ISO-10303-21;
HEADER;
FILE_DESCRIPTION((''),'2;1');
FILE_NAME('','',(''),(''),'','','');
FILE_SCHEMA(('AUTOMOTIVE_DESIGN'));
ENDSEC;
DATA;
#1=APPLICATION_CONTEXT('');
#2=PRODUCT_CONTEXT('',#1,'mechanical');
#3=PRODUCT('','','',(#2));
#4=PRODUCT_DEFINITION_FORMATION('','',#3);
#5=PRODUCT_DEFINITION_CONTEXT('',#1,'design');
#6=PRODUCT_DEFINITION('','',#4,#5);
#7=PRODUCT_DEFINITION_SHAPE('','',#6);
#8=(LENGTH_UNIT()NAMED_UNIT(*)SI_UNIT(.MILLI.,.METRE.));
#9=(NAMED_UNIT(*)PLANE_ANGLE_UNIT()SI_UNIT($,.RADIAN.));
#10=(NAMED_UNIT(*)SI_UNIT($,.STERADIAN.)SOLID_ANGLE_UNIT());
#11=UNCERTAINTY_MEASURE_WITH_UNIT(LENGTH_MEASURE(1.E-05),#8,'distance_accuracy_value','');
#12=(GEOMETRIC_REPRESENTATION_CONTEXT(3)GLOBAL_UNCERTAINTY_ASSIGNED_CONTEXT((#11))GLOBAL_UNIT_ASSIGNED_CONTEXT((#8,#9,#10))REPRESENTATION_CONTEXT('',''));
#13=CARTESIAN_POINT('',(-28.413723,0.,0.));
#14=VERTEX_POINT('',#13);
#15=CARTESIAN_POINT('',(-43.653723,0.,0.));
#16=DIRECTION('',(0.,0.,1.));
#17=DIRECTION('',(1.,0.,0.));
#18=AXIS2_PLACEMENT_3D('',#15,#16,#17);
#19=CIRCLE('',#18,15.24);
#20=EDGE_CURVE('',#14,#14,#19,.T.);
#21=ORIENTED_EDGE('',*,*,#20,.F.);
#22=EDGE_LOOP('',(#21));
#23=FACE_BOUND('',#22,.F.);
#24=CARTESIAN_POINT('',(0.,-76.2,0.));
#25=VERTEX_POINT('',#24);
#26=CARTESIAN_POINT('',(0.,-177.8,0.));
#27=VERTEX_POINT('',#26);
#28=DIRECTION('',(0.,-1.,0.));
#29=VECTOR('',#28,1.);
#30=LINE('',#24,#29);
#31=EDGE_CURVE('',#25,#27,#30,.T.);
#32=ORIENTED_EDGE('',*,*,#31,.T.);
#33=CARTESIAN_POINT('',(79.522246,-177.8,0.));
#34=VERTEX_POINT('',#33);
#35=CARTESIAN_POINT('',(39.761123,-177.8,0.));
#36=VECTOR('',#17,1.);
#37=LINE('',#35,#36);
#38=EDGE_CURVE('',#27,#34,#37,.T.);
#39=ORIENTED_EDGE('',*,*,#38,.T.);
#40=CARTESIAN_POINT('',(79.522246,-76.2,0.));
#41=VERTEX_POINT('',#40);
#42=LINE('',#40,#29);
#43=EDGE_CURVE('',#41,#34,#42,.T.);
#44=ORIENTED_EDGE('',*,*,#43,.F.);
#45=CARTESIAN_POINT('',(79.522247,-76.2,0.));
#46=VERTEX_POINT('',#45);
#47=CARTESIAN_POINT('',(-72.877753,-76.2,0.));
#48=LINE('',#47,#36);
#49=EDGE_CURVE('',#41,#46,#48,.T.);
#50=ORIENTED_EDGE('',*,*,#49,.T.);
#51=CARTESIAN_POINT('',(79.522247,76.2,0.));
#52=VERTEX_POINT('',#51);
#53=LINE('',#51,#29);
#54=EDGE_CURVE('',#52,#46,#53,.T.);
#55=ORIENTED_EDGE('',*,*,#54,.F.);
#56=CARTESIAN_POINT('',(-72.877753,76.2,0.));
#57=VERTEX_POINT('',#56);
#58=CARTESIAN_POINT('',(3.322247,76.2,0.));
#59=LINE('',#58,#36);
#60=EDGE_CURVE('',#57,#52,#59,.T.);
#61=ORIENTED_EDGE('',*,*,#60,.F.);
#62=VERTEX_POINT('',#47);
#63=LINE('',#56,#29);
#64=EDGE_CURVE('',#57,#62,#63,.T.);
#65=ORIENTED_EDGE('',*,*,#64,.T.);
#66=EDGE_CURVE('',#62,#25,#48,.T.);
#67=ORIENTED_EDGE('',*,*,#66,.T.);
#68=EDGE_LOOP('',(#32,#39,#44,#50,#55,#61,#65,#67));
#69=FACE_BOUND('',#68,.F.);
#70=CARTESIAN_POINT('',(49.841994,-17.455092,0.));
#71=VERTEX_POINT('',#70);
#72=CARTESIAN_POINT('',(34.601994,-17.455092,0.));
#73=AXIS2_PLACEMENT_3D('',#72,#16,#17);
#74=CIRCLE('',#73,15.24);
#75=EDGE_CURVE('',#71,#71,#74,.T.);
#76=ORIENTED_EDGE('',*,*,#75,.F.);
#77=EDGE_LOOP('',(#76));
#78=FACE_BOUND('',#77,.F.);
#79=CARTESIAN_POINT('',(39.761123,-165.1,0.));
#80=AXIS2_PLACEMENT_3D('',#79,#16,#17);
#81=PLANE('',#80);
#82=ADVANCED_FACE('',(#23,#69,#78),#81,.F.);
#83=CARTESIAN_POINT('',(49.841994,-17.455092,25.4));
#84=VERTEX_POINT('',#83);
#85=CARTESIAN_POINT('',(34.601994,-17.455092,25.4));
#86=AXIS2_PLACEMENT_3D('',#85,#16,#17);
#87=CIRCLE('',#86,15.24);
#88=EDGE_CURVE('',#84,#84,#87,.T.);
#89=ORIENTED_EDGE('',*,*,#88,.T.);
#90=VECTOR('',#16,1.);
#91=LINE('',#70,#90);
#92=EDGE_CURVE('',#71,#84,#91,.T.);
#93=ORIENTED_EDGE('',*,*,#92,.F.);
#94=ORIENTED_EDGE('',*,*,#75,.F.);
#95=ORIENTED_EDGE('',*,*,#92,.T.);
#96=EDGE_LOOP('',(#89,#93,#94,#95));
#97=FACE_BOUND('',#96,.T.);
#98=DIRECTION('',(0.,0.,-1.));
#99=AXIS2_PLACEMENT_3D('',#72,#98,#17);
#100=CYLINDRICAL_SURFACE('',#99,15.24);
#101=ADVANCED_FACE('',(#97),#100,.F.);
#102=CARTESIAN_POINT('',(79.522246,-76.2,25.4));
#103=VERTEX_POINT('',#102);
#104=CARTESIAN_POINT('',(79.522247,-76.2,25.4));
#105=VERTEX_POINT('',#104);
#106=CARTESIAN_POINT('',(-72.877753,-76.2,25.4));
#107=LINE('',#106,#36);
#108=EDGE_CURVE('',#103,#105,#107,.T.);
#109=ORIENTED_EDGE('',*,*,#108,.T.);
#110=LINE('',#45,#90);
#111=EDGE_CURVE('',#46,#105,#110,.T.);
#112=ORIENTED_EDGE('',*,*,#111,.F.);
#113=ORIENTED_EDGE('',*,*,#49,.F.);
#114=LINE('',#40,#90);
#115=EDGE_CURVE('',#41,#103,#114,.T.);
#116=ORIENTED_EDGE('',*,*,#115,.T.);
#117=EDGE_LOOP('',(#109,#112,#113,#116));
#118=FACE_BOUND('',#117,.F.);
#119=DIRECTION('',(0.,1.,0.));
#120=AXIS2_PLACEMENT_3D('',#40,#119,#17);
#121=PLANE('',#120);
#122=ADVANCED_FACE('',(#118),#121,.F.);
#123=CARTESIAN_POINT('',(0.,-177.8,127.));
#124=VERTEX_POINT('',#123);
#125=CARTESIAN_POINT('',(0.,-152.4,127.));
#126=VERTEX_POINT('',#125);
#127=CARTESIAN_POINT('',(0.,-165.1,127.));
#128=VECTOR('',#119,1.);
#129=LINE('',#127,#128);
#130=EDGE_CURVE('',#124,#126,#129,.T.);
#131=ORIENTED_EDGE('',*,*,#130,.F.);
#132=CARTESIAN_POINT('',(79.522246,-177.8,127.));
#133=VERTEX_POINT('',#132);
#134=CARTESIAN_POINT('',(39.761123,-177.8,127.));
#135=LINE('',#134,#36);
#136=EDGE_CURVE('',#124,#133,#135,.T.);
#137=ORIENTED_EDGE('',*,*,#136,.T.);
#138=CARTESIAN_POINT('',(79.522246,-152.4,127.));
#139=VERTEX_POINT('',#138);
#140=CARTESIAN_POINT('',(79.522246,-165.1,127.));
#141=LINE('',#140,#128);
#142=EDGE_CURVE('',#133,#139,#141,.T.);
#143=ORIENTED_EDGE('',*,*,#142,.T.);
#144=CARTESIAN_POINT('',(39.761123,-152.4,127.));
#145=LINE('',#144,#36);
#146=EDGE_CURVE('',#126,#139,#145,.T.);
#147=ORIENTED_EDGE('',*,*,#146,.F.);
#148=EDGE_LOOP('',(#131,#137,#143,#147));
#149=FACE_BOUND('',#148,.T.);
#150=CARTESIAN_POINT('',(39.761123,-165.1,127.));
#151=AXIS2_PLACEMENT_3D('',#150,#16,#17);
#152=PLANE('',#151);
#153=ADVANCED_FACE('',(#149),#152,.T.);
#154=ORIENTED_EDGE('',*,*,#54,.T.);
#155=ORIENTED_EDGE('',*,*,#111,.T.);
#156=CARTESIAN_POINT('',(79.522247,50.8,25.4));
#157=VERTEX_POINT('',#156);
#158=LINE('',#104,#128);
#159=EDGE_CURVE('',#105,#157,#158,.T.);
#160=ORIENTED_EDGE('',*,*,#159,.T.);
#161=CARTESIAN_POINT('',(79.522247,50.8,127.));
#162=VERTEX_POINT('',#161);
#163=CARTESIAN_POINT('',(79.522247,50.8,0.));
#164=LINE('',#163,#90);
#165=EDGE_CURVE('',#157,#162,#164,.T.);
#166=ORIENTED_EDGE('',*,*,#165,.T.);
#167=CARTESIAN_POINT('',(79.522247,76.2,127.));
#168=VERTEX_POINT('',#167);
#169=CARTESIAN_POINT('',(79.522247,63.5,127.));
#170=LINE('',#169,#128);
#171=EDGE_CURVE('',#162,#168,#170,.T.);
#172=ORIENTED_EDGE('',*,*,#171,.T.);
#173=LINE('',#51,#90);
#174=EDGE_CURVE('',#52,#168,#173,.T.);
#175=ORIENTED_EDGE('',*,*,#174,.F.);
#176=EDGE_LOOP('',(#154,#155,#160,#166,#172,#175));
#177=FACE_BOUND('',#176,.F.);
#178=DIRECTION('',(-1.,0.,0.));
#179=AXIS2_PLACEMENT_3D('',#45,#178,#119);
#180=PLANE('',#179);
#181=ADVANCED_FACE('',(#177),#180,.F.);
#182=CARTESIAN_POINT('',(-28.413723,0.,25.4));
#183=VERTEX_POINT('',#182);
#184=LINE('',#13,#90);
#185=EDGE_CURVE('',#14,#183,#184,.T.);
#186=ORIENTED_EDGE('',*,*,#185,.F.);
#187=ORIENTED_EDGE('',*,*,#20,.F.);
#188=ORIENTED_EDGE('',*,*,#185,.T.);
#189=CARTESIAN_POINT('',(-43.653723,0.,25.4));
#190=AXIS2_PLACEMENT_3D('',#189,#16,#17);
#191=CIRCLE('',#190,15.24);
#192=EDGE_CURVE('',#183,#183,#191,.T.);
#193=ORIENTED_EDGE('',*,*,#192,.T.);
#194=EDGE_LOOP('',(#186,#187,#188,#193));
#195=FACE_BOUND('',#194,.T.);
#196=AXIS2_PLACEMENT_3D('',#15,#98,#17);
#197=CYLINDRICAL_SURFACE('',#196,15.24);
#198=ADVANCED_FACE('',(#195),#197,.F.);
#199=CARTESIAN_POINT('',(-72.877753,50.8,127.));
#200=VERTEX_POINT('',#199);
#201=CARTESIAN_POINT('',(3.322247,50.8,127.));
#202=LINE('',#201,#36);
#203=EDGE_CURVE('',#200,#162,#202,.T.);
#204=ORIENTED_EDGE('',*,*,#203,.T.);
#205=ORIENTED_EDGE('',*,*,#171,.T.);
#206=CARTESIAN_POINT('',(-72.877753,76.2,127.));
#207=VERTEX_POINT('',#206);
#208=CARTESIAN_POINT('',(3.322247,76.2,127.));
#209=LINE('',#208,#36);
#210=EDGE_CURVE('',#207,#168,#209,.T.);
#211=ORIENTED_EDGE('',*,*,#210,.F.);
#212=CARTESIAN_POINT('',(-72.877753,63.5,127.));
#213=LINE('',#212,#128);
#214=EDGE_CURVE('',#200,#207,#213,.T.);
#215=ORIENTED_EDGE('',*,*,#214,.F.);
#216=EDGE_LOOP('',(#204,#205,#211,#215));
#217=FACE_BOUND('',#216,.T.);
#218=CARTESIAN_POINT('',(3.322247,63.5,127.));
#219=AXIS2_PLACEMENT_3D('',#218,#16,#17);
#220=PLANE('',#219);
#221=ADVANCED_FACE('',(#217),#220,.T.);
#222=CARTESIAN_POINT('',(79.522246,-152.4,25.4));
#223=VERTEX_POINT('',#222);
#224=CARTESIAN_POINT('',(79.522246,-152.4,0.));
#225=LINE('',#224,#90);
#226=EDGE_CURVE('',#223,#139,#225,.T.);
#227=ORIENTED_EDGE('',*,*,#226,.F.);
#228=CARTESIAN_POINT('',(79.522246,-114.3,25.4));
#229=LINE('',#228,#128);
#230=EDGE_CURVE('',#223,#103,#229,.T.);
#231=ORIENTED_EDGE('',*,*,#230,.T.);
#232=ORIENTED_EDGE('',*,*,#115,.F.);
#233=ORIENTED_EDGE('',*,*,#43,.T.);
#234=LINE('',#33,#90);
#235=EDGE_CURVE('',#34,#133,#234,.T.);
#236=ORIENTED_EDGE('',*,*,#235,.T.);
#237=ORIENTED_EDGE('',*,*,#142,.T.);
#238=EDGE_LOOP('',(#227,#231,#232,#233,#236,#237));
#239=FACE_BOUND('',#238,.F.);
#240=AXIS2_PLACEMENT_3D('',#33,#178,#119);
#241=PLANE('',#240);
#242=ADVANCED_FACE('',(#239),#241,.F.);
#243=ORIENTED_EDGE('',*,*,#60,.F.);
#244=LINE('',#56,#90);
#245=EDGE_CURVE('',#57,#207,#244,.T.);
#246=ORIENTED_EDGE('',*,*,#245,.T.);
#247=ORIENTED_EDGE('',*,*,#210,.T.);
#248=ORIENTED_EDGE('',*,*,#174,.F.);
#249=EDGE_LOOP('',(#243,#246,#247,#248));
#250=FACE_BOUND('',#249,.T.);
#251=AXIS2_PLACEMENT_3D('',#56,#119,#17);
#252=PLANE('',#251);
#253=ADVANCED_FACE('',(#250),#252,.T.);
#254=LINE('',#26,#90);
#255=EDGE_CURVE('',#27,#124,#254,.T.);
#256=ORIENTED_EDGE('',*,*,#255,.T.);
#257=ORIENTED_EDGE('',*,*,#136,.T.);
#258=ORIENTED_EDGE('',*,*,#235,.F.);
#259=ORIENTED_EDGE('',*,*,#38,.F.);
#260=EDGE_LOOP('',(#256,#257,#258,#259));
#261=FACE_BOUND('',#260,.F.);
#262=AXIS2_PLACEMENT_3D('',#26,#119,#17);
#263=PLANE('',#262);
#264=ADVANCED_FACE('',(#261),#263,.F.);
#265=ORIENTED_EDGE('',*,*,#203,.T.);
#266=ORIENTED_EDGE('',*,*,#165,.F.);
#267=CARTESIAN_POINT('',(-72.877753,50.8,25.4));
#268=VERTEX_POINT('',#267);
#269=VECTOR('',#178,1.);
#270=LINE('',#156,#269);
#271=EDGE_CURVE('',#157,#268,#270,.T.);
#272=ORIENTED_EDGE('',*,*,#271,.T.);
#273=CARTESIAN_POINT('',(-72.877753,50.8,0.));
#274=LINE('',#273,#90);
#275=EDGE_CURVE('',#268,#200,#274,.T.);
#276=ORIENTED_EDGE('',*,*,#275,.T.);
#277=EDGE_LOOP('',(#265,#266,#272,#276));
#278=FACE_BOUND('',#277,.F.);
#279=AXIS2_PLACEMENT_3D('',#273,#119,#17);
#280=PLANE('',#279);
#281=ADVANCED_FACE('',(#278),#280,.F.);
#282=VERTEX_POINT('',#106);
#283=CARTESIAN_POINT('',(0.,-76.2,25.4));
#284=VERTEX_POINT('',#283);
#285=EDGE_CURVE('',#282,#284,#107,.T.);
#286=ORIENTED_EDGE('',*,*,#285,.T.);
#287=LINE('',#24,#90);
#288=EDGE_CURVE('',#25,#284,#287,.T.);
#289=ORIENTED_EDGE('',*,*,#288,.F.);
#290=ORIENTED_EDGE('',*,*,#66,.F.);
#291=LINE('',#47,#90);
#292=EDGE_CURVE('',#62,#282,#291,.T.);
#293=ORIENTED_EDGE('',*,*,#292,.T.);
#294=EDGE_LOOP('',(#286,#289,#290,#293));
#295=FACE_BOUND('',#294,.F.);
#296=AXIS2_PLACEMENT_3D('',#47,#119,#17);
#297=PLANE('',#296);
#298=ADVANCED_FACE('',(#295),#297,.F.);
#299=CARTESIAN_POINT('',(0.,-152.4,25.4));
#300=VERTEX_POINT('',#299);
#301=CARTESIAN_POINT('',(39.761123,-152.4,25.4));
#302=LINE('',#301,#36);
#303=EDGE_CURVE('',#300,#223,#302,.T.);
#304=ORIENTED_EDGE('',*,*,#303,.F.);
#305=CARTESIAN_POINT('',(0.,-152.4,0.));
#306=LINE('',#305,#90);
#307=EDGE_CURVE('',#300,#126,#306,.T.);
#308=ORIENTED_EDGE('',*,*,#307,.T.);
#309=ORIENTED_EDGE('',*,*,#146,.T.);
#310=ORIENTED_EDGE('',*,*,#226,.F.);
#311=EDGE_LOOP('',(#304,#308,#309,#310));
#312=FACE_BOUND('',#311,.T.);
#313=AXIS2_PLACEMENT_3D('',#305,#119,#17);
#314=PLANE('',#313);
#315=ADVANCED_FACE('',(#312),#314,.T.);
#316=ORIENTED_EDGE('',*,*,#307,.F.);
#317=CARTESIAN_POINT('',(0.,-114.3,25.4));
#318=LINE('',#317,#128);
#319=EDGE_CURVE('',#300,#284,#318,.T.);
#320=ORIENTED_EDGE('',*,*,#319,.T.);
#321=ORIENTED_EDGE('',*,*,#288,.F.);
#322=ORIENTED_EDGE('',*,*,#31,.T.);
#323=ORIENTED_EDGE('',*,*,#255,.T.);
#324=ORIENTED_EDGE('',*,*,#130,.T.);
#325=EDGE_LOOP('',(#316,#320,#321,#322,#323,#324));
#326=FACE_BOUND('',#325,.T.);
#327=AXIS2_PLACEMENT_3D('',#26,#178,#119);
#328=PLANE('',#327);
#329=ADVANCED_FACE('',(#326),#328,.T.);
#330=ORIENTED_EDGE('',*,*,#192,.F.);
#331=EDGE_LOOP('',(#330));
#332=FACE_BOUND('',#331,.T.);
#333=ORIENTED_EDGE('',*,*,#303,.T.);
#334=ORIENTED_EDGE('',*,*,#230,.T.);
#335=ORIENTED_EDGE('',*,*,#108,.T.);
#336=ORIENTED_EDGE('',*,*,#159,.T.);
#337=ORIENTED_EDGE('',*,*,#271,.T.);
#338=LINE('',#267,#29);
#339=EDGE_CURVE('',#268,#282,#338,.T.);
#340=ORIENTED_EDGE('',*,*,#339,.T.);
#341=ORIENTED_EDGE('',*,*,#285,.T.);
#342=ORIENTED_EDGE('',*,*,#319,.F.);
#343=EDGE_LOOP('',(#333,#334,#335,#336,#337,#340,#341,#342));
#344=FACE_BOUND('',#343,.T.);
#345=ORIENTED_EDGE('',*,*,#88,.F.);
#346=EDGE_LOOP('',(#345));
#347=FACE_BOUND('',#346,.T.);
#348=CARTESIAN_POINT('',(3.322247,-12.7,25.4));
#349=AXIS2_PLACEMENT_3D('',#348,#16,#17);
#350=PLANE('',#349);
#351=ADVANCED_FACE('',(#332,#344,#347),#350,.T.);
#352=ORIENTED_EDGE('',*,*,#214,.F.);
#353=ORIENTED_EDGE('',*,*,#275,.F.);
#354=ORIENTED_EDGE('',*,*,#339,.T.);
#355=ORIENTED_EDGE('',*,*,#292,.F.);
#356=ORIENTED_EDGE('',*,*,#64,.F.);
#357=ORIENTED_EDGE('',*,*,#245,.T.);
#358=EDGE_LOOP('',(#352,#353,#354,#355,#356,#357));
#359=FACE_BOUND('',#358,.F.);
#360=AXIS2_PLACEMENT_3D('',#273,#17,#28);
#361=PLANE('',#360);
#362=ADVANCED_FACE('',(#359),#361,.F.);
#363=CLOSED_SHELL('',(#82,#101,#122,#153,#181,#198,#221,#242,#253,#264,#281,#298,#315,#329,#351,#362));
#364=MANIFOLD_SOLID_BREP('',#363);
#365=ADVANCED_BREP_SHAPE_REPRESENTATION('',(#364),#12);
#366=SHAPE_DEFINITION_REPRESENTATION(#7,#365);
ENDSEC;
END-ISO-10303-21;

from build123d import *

# Parameters (mm, degrees)
F0_W     = 152.4
F0_H     = 25.4
F1_DEPTH = 127
F0_R     = 15.24
F0_W_2   = 79.522247
F0_H_2   = 76.2
F2_DEPTH = 25.4
F3_DEPTH = 127


with BuildPart() as f1:
    # F0 (on Top) → F1 (new body)
    with BuildSketch(Plane.XY):
        with Locations((3.322247, 63.5)):
            Rectangle(F0_W, F0_H)
    extrude(amount=F1_DEPTH)

    # F0 (on Top) → F2 (join)
    with BuildSketch(Plane.XY):
        Polygon((79.522247, 50.8), (-72.877753, 50.8), (-72.877753, -76.2), (0, -76.2), (79.522247, -76.2), align=None)
        with Locations((-43.653723, 0)):
            Circle(F0_R, mode=Mode.SUBTRACT)
        with Locations((34.601994, -17.455092)):
            Circle(F0_R, mode=Mode.SUBTRACT)
        with Locations((39.761123, -114.3)):
            Rectangle(F0_W_2, F0_H_2)
    extrude(amount=F2_DEPTH)

    # F0 (on Top) → F3 (join)
    with BuildSketch(Plane.XY):
        with Locations((39.761123, -165.1)):
            Rectangle(F0_W_2, F0_H)
    extrude(amount=F3_DEPTH)


solid = f1.part
